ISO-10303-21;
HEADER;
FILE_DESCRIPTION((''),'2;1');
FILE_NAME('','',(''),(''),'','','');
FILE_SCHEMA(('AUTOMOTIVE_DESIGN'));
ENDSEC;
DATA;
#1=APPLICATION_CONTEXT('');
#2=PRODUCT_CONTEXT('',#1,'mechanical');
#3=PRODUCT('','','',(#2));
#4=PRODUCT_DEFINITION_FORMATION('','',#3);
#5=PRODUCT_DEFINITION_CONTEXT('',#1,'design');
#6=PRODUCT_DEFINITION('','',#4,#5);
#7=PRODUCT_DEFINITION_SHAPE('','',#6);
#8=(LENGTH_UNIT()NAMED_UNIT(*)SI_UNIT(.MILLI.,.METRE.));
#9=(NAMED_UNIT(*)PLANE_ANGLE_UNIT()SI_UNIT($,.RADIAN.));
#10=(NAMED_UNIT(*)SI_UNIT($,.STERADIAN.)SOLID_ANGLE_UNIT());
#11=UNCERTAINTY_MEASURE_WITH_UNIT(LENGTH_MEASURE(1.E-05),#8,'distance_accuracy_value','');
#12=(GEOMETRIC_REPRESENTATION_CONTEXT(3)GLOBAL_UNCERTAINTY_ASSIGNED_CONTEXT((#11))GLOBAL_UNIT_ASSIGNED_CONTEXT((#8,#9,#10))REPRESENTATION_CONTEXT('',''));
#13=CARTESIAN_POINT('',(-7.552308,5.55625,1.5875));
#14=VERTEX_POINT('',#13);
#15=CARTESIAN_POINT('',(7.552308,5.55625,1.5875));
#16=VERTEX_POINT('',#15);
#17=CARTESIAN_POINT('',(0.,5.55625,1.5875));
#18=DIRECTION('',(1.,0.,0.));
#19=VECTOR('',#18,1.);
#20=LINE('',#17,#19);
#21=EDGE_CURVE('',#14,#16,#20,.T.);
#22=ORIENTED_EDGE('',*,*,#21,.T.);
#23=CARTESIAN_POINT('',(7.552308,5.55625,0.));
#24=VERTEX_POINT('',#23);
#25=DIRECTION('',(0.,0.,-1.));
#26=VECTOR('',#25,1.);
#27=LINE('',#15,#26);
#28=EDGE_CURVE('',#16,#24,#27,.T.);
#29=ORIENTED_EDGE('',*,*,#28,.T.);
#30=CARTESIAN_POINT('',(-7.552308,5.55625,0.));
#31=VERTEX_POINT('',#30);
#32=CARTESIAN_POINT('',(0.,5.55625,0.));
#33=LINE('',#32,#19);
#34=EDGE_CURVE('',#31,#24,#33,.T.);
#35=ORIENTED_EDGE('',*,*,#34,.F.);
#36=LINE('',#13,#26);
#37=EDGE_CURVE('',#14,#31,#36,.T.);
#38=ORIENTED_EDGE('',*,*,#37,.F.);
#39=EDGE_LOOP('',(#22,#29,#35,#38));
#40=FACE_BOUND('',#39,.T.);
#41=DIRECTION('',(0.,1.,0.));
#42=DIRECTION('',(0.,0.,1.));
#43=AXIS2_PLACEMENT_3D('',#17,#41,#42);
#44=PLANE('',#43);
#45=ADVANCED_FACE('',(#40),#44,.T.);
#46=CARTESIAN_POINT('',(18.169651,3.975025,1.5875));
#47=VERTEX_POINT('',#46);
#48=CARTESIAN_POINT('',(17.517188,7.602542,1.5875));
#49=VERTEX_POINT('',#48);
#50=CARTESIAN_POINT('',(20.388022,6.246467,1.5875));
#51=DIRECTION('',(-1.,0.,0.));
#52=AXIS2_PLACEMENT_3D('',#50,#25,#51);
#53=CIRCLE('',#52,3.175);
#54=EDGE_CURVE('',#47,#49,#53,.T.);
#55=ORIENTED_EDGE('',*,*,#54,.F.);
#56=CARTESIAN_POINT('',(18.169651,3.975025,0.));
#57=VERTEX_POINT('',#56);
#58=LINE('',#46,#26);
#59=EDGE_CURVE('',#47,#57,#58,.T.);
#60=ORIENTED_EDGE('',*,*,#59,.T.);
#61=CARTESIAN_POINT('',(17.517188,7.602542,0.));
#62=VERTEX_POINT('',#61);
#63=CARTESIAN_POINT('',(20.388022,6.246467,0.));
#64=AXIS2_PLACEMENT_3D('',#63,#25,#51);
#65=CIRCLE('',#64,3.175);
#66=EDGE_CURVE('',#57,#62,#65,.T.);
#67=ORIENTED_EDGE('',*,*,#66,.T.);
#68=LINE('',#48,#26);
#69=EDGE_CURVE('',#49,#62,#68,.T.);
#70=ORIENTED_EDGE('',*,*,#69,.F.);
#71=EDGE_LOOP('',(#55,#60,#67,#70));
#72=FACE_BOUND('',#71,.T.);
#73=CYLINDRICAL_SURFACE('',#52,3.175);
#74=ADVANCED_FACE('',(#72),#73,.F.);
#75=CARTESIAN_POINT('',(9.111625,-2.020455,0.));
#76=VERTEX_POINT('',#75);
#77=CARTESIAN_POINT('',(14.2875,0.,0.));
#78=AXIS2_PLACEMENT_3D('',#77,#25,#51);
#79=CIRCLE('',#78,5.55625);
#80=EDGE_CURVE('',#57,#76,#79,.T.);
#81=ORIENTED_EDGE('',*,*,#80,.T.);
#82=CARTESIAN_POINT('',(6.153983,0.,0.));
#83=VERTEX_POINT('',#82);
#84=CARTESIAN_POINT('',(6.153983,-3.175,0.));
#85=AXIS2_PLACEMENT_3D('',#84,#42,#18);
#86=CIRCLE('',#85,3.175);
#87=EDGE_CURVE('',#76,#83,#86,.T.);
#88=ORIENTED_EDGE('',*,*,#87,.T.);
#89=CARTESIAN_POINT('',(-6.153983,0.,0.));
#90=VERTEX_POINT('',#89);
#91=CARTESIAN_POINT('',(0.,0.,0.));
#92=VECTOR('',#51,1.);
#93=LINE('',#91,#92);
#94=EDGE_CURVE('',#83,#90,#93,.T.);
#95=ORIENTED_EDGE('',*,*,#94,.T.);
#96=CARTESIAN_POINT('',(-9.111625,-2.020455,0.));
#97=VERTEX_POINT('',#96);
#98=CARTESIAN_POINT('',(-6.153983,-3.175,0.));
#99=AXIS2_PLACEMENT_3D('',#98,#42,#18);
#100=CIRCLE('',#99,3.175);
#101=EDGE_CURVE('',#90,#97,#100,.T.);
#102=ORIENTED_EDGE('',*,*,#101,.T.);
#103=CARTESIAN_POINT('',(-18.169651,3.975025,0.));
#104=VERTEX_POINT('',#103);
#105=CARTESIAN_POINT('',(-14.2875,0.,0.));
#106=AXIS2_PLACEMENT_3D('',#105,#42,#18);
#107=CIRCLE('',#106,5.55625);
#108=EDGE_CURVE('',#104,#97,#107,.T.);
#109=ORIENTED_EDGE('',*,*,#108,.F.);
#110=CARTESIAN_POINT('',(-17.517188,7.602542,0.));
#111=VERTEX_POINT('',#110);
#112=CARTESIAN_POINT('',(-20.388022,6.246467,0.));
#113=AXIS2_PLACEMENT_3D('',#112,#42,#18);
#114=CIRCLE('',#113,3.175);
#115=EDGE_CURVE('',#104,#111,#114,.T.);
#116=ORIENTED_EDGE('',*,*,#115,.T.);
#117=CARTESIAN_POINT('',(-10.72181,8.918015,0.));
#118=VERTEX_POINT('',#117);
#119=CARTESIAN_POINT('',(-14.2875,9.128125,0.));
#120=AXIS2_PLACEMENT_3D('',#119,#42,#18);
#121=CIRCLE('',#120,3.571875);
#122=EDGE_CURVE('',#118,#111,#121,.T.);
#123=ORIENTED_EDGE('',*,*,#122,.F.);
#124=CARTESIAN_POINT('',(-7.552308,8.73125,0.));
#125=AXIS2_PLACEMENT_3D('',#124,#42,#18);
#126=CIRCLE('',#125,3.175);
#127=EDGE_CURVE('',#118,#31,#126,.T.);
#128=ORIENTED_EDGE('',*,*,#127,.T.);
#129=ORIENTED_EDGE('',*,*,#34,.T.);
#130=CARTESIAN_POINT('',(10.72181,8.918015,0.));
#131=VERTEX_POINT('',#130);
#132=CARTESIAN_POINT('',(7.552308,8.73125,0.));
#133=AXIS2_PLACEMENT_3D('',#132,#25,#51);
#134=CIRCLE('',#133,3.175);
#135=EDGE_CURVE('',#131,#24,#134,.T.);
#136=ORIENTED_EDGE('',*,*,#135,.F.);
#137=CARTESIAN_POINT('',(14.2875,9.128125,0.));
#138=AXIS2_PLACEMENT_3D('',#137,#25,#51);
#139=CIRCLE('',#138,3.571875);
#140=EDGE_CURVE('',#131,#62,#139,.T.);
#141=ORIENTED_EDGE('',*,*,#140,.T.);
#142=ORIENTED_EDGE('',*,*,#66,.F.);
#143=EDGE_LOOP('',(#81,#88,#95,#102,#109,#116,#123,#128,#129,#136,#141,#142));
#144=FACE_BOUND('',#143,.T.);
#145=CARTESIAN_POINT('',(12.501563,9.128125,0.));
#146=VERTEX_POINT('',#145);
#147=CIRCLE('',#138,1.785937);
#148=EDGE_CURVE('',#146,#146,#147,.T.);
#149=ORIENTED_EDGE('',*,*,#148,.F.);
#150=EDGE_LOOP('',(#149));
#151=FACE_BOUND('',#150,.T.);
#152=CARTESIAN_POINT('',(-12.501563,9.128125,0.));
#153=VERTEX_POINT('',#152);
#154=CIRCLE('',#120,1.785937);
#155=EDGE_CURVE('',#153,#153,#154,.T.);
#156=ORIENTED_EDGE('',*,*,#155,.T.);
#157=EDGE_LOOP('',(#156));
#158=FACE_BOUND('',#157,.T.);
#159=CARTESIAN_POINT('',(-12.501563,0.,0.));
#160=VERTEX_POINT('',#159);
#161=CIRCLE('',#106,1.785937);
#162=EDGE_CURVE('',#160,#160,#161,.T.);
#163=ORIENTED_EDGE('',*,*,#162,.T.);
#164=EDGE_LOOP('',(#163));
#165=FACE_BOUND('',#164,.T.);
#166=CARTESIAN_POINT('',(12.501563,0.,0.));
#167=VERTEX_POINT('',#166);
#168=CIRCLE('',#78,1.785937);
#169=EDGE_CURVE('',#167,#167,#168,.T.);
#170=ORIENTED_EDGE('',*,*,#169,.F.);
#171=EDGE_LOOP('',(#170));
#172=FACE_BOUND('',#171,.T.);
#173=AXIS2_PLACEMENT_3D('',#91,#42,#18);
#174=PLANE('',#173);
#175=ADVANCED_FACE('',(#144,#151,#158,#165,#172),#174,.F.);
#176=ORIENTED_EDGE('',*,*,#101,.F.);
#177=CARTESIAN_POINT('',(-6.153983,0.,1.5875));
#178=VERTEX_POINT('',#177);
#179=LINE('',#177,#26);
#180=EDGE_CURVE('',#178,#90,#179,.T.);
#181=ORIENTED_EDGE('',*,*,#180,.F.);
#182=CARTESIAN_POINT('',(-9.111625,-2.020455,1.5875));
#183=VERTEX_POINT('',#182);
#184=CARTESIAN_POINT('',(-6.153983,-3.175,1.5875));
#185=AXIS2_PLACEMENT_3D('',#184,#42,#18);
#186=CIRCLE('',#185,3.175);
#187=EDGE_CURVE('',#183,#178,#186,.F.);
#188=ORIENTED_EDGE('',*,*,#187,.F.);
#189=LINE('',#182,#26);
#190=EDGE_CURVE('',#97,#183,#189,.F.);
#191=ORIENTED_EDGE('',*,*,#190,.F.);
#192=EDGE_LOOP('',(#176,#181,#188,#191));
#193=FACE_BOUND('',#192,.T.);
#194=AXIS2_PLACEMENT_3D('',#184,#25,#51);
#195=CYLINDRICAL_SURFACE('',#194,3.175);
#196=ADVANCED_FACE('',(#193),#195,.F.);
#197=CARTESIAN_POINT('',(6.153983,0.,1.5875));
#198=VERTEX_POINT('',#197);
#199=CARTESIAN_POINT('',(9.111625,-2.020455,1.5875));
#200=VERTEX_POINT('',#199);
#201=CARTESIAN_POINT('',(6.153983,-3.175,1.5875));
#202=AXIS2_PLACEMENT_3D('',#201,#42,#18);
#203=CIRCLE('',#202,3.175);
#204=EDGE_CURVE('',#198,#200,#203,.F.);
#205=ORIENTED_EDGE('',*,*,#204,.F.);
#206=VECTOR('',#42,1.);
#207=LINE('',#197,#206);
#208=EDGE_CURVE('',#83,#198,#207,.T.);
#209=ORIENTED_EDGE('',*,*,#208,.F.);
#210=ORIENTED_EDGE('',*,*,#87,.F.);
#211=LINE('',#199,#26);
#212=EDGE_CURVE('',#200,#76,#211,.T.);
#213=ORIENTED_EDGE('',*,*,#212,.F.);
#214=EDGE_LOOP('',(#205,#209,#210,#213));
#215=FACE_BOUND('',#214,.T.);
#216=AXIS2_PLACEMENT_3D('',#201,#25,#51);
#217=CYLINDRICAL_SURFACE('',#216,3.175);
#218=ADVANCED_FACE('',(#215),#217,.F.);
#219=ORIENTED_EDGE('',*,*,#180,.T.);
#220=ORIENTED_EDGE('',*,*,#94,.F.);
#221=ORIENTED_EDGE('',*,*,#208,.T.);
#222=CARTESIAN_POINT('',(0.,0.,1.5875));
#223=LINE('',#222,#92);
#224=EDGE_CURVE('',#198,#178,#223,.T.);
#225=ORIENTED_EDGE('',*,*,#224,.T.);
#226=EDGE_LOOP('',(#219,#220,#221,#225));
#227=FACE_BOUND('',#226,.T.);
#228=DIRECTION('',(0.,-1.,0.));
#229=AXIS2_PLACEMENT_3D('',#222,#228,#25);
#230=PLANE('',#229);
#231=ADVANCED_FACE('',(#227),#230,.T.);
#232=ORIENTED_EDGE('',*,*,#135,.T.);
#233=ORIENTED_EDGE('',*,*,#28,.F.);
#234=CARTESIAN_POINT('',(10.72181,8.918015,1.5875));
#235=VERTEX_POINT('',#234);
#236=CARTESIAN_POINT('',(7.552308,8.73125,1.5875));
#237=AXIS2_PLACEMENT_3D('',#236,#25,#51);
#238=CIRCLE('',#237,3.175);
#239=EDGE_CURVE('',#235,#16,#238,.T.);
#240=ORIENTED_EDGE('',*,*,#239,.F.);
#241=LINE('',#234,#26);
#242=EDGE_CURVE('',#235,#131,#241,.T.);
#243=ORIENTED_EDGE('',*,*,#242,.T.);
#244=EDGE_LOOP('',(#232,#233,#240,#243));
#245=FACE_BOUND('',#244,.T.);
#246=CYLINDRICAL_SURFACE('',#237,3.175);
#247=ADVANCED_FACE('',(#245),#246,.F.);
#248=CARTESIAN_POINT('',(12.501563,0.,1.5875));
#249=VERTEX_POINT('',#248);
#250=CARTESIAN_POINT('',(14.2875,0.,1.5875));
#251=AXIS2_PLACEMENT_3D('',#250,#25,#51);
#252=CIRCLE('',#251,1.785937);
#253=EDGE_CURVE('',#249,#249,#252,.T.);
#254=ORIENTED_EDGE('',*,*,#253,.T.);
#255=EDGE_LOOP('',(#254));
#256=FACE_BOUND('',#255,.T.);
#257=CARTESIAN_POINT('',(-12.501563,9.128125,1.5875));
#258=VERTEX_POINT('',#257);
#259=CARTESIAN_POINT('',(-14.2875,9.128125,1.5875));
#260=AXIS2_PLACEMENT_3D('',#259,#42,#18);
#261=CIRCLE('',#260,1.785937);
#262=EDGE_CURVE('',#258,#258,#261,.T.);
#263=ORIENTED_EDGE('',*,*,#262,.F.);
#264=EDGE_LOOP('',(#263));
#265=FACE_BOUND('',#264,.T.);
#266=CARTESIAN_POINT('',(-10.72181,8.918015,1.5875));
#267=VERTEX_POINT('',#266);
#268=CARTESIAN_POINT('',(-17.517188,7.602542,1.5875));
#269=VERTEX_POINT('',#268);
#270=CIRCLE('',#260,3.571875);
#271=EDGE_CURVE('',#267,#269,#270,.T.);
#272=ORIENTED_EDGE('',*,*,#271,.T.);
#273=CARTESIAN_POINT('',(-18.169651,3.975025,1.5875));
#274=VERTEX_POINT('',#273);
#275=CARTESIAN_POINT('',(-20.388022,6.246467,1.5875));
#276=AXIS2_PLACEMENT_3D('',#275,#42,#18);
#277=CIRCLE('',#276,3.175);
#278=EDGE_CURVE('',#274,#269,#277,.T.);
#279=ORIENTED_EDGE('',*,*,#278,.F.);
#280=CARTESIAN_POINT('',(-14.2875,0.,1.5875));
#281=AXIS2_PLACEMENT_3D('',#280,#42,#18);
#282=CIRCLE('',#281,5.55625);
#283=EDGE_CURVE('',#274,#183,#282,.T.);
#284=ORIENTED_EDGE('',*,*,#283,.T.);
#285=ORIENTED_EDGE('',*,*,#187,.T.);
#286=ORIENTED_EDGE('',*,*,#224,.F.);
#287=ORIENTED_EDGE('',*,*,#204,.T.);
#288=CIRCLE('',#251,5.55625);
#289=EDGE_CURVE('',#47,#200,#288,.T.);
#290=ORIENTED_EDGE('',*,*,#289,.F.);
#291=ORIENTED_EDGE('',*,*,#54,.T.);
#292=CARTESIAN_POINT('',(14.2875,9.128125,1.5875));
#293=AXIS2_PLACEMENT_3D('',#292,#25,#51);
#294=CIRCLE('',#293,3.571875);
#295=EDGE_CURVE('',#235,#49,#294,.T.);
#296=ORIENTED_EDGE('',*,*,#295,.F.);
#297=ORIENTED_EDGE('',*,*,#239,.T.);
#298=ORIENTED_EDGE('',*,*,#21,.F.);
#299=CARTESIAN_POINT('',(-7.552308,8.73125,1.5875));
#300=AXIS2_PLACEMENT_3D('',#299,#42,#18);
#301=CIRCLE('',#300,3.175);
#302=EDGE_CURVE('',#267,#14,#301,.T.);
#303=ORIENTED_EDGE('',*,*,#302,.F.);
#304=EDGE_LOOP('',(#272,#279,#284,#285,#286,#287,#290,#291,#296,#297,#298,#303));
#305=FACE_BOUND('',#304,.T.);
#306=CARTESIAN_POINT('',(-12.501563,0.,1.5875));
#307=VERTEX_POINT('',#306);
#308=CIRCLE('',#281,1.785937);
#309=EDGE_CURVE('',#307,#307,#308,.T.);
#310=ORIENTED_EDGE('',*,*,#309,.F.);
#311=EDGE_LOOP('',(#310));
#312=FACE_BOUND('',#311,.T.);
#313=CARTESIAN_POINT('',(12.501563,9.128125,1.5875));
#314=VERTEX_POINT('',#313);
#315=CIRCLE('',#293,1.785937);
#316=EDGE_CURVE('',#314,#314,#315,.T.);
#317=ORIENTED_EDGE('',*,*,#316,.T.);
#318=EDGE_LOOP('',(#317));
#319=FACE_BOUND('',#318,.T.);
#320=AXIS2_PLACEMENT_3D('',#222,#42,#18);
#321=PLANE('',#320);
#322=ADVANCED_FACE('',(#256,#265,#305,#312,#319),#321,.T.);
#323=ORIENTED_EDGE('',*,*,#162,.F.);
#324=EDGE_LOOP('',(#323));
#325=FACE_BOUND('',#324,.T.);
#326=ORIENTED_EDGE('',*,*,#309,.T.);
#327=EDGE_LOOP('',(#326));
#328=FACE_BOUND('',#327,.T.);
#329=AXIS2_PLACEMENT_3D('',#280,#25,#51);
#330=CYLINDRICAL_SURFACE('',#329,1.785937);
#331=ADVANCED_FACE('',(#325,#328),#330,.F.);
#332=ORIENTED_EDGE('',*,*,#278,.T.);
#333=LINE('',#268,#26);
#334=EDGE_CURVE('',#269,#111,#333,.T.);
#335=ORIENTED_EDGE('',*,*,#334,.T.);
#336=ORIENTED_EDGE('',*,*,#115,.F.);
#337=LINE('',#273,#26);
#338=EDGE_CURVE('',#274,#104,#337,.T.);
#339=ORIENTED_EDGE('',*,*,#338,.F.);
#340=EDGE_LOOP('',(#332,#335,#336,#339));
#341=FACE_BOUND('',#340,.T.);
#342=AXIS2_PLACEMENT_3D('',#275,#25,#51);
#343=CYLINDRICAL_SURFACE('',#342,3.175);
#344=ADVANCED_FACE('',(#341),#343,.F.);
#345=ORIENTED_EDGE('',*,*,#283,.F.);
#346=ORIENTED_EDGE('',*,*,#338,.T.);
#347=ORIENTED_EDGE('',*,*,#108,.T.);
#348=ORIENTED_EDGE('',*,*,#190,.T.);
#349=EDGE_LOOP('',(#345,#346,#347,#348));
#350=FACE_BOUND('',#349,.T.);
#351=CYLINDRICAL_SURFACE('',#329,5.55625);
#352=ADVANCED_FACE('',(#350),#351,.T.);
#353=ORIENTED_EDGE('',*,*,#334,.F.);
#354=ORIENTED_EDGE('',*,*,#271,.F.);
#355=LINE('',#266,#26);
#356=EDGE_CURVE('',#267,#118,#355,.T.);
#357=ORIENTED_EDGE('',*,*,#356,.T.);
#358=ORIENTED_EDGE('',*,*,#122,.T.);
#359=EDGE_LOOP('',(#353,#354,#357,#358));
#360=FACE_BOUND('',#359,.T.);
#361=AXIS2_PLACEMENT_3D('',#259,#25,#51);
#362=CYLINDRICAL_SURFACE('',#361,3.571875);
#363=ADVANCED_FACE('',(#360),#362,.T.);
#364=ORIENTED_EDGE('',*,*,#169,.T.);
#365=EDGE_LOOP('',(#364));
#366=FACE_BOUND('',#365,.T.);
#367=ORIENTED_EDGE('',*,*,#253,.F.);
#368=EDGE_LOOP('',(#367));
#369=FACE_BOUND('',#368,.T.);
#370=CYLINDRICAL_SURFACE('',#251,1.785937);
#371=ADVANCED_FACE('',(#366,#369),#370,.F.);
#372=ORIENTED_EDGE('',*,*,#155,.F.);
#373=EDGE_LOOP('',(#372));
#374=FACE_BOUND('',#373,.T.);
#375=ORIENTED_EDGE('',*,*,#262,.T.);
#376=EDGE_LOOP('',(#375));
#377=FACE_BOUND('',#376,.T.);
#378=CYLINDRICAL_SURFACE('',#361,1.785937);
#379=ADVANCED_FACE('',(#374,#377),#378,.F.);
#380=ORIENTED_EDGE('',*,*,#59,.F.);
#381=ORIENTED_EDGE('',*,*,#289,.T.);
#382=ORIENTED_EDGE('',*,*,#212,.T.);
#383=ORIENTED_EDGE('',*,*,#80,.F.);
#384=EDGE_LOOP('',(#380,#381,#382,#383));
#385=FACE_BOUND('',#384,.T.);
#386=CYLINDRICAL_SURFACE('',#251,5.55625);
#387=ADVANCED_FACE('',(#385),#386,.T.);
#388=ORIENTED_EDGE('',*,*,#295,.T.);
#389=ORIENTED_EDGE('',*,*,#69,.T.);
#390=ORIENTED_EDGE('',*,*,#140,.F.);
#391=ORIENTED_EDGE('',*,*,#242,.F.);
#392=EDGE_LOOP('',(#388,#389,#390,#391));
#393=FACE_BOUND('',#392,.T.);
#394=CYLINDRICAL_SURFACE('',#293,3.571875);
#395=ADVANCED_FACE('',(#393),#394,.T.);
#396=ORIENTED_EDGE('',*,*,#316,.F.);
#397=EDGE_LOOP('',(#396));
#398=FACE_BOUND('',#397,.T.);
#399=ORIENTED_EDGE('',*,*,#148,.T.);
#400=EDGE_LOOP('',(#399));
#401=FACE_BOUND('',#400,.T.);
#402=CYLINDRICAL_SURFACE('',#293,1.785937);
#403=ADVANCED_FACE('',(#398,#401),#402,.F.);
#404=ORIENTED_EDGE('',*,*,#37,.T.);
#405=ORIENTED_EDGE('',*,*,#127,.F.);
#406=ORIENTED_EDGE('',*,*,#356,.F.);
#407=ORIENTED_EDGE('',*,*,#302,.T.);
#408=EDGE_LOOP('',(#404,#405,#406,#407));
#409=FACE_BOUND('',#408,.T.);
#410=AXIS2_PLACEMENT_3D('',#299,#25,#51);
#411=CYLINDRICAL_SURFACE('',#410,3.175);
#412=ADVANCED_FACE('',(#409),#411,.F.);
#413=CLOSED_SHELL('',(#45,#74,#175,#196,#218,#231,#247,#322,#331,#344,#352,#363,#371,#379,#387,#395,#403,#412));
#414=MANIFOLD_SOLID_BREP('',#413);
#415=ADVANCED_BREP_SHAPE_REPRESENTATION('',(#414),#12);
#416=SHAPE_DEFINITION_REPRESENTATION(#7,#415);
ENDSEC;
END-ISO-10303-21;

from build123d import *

# Parameters (mm, degrees)
SKETCH1_R            = 1.7859375
BOSS_EXTRUDE1_DEPTH  = 1.5875
FILLET1_R            = 3.175
FILLET1_OF_MIRROR1_R = 3.175


with BuildPart() as part:
    # Sketch1 → Boss-Extrude1 (new body)
    with BuildSketch(Plane.XY):
        with BuildLine():
            Line((-8.73125, 0), (0, 0))
            Line((0, 0), (0, 5.55625))
            Line((0, 5.55625), (-7.552307909, 5.55625))
            ThreePointArc((-7.552307909, 5.55625), (-9.862459716, 6.553217945), (-10.721810073, 8.918014642))
            ThreePointArc((-10.721810073, 8.918014642), (-14.966353253, 12.634896917), (-17.517188185, 7.602541425))
            ThreePointArc((-17.517188185, 7.602541425), (-17.263166539, 5.68441597), (-18.169650628, 3.9750246))
            ThreePointArc((-18.169650628, 3.9750246), (-16.444084642, -5.120650031), (-8.73125, 0))
        make_face()
        with Locations((-14.2875, 0)):
            Circle(SKETCH1_R, mode=Mode.SUBTRACT)
        with Locations((-14.2875, 9.128125)):
            Circle(SKETCH1_R, mode=Mode.SUBTRACT)
    boss_extrude1 = extrude(amount=BOSS_EXTRUDE1_DEPTH)

    # Fillet1
    fillet1_edges = [part.edges().sort_by_distance(p)[0] for p in [
        (-8.73125, 0, 0.79375),
    ]]
    fillet(fillet1_edges, radius=FILLET1_R)

    # Mirror1: Boss-Extrude1 across plane
    add(boss_extrude1.mirror(Plane(origin=(0, 0, 1.5875), x_dir=(0, 0, 1), z_dir=(1, 0, 0))))

    # Fillet1 of Mirror1
    fillet1_of_mirror1_edges = [part.edges().sort_by_distance(p)[0] for p in [
        (8.73125, 0, 0.79375),
    ]]
    fillet(fillet1_of_mirror1_edges, radius=FILLET1_OF_MIRROR1_R)


solid = part.part
